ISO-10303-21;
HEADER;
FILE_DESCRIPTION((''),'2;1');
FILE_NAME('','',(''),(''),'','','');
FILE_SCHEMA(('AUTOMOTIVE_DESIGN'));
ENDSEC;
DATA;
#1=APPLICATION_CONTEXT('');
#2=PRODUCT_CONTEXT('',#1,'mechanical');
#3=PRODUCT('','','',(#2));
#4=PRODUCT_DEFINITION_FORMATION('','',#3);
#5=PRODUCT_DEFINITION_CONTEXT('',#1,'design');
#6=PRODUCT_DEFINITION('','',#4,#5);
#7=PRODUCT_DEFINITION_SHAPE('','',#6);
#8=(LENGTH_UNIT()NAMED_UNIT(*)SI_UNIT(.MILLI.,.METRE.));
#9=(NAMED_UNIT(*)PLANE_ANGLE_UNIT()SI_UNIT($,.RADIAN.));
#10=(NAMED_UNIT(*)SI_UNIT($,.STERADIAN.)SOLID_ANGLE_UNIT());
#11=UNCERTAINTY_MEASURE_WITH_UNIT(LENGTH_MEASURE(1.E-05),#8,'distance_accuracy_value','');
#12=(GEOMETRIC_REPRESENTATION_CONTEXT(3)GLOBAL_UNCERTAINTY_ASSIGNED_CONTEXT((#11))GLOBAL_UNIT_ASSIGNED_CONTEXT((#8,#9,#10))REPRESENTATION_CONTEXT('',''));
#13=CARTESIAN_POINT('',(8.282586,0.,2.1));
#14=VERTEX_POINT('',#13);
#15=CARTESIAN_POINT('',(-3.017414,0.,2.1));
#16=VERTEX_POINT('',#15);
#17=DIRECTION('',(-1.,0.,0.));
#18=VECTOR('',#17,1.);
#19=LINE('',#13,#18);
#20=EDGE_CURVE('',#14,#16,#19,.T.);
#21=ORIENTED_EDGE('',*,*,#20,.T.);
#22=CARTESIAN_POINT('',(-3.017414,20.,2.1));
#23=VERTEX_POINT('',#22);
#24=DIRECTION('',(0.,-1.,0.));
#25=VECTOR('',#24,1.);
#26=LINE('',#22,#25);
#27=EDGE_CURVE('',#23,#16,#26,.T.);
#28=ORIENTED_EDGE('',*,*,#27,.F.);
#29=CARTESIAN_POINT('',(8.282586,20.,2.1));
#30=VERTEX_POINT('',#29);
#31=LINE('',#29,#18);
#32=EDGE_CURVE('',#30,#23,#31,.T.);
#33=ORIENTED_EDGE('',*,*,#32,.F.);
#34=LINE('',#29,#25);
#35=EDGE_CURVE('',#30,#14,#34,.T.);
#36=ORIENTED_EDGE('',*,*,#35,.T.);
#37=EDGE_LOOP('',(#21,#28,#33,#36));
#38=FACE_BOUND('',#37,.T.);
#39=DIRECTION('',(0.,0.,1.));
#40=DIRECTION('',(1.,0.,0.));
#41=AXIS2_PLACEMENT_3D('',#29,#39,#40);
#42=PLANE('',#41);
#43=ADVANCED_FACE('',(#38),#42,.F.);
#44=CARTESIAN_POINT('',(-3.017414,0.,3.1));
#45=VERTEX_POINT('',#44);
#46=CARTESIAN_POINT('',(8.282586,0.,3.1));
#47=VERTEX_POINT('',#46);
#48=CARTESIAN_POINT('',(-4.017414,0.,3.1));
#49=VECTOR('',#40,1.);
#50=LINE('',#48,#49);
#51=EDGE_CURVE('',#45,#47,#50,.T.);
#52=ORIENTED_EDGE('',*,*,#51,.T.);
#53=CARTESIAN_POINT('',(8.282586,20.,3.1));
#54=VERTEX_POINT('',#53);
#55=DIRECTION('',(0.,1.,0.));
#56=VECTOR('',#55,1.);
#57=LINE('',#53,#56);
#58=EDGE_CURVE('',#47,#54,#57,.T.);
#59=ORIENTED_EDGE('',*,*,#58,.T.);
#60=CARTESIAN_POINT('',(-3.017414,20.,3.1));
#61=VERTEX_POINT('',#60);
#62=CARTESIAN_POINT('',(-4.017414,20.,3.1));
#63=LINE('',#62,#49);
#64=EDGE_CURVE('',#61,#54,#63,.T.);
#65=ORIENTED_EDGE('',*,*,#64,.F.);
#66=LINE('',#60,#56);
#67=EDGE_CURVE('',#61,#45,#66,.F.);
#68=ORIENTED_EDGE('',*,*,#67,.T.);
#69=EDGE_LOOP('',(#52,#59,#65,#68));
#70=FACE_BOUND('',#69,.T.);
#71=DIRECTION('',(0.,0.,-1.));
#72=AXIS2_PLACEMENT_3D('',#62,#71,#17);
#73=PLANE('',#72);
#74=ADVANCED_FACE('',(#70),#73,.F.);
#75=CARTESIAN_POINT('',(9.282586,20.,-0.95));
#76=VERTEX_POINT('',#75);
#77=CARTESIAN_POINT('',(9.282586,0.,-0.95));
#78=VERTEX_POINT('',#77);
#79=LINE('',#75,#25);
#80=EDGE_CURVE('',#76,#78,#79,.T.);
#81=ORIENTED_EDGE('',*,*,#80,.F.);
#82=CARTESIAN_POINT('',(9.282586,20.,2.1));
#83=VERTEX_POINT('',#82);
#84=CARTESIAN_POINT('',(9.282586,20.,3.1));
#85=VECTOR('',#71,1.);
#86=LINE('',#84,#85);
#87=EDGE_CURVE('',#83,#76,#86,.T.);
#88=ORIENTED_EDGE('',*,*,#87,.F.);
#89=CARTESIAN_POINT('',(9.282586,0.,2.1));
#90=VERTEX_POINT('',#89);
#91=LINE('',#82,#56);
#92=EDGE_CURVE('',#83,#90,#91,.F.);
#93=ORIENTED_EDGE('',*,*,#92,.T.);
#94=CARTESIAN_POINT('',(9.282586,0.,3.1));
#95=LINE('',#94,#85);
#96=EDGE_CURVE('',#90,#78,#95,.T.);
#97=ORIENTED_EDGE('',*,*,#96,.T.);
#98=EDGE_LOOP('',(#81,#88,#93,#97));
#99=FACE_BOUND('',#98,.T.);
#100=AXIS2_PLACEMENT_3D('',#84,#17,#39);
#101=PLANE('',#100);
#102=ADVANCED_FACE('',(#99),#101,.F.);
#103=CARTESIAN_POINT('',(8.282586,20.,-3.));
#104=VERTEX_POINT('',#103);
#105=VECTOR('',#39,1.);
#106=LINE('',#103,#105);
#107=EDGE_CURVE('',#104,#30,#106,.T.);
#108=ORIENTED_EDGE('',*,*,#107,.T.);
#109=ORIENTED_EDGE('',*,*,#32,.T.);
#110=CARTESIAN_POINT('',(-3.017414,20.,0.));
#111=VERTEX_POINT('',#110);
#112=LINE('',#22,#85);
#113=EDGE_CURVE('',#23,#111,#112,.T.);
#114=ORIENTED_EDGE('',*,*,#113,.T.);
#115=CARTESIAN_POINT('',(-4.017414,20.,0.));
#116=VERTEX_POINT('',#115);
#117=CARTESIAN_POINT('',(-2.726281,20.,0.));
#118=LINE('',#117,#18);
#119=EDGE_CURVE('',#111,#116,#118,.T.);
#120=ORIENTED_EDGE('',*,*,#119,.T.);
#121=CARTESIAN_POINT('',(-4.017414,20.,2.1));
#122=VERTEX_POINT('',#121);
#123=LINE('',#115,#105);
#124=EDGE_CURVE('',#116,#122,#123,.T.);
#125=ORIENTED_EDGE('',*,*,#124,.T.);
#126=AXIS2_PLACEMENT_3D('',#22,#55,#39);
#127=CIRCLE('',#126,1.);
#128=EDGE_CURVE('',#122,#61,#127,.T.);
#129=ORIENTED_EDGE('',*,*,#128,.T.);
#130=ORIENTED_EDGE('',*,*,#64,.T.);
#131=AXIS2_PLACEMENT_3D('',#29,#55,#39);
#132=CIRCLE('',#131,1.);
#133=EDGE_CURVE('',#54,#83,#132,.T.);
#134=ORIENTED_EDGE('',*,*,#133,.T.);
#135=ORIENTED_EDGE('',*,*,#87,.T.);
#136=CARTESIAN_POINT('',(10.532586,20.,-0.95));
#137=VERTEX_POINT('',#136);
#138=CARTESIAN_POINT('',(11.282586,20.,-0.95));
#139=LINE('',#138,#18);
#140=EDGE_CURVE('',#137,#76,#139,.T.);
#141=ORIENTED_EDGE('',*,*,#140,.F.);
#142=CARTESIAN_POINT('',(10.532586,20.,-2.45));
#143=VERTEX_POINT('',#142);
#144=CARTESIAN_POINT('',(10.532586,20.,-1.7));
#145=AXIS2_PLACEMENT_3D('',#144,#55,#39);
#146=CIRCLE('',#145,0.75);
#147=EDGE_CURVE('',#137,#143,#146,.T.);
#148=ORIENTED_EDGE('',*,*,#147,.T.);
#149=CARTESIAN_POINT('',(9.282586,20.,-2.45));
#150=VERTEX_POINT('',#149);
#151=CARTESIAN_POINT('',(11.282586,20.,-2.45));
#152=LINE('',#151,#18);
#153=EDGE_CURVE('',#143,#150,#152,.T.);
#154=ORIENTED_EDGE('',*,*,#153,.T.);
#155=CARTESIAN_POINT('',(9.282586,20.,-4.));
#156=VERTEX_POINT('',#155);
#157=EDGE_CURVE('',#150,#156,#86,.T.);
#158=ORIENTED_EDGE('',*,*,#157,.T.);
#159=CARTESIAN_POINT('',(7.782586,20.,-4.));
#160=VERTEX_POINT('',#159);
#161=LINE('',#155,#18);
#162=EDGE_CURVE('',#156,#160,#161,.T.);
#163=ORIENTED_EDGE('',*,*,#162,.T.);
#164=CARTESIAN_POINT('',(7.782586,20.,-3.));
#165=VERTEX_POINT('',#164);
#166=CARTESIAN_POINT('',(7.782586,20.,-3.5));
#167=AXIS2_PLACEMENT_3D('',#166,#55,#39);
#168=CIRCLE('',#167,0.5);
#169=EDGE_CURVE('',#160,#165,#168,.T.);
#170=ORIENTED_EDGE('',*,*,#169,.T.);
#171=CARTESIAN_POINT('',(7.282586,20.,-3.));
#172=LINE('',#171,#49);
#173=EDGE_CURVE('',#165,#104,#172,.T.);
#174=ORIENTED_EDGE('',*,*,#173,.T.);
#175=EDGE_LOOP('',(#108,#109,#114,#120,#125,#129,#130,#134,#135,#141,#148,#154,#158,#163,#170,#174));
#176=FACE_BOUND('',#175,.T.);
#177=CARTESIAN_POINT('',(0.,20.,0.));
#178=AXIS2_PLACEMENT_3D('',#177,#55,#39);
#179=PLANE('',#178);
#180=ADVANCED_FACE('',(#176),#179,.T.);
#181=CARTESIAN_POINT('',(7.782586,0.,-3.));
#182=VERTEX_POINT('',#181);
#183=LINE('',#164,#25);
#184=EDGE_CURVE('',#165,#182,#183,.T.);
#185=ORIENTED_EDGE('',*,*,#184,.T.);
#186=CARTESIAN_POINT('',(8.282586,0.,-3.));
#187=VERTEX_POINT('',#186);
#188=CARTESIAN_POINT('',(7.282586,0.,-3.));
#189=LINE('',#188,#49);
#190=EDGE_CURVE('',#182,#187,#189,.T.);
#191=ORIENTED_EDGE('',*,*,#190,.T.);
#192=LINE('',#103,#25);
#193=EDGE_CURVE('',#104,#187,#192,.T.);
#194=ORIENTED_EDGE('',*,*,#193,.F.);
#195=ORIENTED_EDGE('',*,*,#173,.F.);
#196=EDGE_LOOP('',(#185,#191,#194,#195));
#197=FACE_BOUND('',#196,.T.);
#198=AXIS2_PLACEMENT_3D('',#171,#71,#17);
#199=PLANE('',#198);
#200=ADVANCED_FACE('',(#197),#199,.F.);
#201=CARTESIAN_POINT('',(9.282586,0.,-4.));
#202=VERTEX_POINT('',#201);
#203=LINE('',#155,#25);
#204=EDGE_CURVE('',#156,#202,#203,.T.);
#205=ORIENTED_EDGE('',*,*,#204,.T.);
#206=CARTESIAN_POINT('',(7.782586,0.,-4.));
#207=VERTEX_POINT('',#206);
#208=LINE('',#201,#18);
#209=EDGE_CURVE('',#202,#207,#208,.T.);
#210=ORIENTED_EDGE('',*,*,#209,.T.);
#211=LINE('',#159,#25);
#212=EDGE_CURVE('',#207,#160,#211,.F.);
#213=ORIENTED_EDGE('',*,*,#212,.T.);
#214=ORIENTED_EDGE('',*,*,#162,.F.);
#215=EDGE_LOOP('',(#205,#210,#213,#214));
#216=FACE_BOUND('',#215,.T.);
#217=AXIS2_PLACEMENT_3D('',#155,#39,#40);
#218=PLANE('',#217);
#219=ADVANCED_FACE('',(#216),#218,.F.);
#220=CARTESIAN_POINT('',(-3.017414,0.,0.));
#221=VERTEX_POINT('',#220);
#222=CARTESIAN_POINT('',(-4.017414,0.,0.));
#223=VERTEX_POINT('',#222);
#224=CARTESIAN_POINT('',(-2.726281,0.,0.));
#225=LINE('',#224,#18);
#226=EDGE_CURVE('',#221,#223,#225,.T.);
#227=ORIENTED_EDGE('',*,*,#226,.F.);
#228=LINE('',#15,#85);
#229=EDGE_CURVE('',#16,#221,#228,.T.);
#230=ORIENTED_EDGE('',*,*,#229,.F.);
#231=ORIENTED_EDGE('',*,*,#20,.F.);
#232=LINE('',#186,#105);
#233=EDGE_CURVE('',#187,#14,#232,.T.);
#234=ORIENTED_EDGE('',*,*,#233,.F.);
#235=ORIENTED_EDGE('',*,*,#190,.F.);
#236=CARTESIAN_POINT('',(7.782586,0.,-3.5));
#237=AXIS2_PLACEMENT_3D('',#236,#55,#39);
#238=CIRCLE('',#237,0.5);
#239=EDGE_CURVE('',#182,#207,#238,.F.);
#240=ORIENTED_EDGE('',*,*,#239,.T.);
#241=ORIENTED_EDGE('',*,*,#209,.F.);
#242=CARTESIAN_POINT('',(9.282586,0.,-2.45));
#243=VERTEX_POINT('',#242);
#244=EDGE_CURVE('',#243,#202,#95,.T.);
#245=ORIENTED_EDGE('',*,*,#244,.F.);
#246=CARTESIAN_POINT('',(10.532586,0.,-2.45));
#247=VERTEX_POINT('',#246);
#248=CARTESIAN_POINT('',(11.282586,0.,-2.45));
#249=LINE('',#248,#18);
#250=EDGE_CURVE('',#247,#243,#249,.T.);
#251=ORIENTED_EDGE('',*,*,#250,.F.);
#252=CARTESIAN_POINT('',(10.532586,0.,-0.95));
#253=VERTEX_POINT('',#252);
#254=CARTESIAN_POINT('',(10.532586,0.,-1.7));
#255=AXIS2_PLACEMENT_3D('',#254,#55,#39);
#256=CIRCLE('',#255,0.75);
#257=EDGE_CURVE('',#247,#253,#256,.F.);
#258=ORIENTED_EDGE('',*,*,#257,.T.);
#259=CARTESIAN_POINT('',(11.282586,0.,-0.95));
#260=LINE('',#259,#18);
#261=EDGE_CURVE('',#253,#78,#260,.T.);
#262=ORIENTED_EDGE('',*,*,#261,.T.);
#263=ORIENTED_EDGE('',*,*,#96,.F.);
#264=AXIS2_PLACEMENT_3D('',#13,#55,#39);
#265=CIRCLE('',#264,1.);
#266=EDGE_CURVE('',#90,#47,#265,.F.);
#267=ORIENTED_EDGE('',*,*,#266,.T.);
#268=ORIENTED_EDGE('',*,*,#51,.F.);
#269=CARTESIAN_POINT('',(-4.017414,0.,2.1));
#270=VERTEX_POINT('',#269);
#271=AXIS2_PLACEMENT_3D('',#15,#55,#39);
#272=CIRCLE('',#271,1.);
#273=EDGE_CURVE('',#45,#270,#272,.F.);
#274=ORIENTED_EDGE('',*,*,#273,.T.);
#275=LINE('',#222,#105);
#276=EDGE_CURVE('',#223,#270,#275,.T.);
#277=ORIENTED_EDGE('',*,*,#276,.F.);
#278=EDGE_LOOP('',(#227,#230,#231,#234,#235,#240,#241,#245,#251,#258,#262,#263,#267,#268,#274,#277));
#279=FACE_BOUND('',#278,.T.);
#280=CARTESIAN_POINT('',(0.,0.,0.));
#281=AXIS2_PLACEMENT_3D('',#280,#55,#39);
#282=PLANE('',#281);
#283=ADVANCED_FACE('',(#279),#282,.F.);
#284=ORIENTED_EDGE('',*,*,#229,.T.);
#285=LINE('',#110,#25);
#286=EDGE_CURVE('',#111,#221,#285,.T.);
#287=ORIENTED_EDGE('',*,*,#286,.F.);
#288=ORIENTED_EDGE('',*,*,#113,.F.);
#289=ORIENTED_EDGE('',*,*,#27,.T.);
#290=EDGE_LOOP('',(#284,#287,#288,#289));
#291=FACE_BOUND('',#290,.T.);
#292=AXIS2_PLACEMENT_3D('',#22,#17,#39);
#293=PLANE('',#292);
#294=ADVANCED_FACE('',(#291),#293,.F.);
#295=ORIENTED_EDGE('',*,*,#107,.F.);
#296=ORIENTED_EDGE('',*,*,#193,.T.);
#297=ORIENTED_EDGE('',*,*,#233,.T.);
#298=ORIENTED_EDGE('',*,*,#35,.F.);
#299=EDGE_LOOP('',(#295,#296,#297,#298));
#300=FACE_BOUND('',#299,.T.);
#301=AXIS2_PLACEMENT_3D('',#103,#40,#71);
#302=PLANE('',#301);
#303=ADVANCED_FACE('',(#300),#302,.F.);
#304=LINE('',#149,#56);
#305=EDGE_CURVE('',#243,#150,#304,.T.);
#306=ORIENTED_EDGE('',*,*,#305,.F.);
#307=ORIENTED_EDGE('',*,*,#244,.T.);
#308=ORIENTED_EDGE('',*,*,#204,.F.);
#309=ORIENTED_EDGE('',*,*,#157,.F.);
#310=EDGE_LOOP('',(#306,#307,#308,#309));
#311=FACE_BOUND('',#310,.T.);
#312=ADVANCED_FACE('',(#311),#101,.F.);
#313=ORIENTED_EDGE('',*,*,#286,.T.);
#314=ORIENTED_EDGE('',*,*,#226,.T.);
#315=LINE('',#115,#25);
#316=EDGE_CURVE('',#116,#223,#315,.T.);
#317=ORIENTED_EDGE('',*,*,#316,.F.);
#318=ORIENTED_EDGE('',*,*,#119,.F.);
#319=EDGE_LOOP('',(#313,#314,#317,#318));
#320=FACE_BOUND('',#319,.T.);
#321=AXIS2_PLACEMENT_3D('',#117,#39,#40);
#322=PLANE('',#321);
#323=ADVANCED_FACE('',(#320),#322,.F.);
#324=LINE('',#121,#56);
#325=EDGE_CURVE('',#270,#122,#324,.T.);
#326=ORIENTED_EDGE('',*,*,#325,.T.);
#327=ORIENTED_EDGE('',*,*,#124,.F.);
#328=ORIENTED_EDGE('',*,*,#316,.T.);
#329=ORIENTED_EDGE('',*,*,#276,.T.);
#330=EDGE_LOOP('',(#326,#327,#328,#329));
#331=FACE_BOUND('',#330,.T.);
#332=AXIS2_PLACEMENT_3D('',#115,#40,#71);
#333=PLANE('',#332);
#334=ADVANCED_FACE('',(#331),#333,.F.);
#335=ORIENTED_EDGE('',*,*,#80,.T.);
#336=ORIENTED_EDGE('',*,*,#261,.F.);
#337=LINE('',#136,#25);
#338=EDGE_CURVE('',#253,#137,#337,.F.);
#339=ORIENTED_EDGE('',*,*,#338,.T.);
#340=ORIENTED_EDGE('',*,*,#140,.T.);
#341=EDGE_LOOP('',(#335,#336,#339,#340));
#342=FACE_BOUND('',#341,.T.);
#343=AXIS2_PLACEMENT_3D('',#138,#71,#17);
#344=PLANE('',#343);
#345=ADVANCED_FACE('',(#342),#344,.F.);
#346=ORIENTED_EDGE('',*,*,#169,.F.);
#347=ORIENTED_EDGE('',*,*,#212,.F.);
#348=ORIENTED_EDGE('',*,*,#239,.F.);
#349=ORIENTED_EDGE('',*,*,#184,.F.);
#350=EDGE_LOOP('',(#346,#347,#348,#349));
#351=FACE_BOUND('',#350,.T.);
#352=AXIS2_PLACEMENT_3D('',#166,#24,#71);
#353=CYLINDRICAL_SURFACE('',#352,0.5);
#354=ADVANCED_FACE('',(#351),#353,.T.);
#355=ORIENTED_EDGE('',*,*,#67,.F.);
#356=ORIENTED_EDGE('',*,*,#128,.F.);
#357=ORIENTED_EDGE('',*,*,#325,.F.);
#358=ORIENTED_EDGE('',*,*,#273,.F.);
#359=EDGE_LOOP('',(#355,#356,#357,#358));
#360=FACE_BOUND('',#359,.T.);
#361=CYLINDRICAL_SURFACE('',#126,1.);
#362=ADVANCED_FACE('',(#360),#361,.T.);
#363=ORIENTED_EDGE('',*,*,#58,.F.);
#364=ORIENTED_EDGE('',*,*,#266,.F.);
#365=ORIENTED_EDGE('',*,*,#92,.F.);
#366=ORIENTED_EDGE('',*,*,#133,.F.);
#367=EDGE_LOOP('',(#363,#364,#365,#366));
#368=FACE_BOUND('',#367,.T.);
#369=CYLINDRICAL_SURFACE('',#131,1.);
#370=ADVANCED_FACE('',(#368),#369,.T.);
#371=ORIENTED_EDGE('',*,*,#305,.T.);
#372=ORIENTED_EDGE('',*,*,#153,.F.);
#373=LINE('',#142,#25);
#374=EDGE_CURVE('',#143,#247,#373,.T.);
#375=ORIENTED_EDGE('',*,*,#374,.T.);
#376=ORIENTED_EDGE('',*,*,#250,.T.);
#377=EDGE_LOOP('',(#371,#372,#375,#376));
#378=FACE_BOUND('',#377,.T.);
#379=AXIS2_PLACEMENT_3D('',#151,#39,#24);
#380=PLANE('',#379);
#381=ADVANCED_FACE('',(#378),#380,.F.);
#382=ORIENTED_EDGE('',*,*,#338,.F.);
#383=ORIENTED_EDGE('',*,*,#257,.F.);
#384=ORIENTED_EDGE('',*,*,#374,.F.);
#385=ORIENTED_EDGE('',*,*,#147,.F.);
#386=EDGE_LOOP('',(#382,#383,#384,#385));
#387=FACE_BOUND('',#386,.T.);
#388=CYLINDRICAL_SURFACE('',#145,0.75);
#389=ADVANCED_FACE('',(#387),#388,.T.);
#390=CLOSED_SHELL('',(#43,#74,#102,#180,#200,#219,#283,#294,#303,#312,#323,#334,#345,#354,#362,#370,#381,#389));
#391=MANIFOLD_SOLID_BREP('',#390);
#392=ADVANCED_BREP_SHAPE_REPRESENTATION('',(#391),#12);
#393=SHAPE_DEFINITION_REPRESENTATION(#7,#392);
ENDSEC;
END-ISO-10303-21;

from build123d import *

# Parameters (mm, degrees)
SALIENTE_EXTRUIR1_DEPTH = 20
REDONDEO1_RADIUS        = 0.5
REDONDEO1_LENGTH        = 20
REDONDEO3_R             = 1
REDONDEO4_R             = 1
CROQUIS6_W              = 0.519230147
CROQUIS6_H              = 1.134138633
CORTAR_EXTRUIR2_DEPTH   = 31
CROQUIS7_W              = 1.5
CROQUIS7_H              = 20
SALIENTE_EXTRUIR2_DEPTH = 2
REDONDEO5_RADIUS        = 0.75
REDONDEO5_LENGTH        = 20


with BuildPart() as part:
    # Croquis3 → Saliente-Extruir1 (new body)
    with BuildSketch(Plane(origin=(0, 0, 0), x_dir=(1, 0, 0), z_dir=(0, 1, 0))):
        Polygon((-2.726281257, 0), (-4.017413973, 0), (-4.017413973, -3.1), (9.282586027, -3.1), (9.282586027, 4), (7.282586027, 4), (7.282586027, 3), (8.282586027, 3), (8.282586027, -2.1), (-3.017413973, -2.1), (-3.017413973, -1), (-2.726281257, -1), align=None)
    extrude(amount=SALIENTE_EXTRUIR1_DEPTH)

    # Redondeo1: full round fillet: the end face becomes a half cylinder, R = half its width
    redondeo1_face = Plane((7.282586027, 10, -3.5), x_dir=(0, 1, 0), z_dir=(-1, 0, 0))  # on the end face: x along it, z out of the body
    redondeo1_slab = redondeo1_face.offset(-REDONDEO1_RADIUS / 2) * Box(REDONDEO1_LENGTH, 2 * REDONDEO1_RADIUS, REDONDEO1_RADIUS, mode=Mode.PRIVATE)  # the body's end, R deep
    redondeo1_round = Plane((7.782586027, 10, -3.5), x_dir=(-1, 0, 0), z_dir=(0, 1, 0)) * Cylinder(REDONDEO1_RADIUS, REDONDEO1_LENGTH, mode=Mode.PRIVATE)  # its axis R under the face
    add(redondeo1_slab - redondeo1_round, mode=Mode.SUBTRACT)

    # Redondeo3
    redondeo3_edges = [part.edges().sort_by_distance(p)[0] for p in [
        (-4.017413973, 10, 3.1),
    ]]
    fillet(redondeo3_edges, radius=REDONDEO3_R)

    # Redondeo4
    redondeo4_edges = [part.edges().sort_by_distance(p)[0] for p in [
        (9.282586027, 10, 3.1),
    ]]
    fillet(redondeo4_edges, radius=REDONDEO4_R)

    # Croquis6 → Cortar-Extruir2 (cut)
    with BuildSketch(Plane(origin=(0, 20, 0), x_dir=(1, 0, 0), z_dir=(0, 1, 0))):
        with Locations((-2.7577989, -0.432930683)):
            Rectangle(CROQUIS6_W, CROQUIS6_H)
    extrude(amount=-CORTAR_EXTRUIR2_DEPTH, mode=Mode.SUBTRACT)

    # Croquis7 → Saliente-Extruir2 (add)
    with BuildSketch(Plane(origin=(9.282586027, 0, 0), x_dir=(0, 0, -1), z_dir=(1, 0, 0))):
        with Locations((1.7, 10)):
            Rectangle(CROQUIS7_W, CROQUIS7_H)
    extrude(amount=SALIENTE_EXTRUIR2_DEPTH)

    # Redondeo5: full round fillet: the end face becomes a half cylinder, R = half its width
    redondeo5_face = Plane((11.282586027, 10, -1.7), x_dir=(0, -1, 0), z_dir=(1, 0, 0))  # on the end face: x along it, z out of the body
    redondeo5_slab = redondeo5_face.offset(-REDONDEO5_RADIUS / 2) * Box(REDONDEO5_LENGTH, 2 * REDONDEO5_RADIUS, REDONDEO5_RADIUS, mode=Mode.PRIVATE)  # the body's end, R deep
    redondeo5_round = Plane((10.532586027, 10, -1.7), x_dir=(1, 0, 0), z_dir=(0, -1, 0)) * Cylinder(REDONDEO5_RADIUS, REDONDEO5_LENGTH, mode=Mode.PRIVATE)  # its axis R under the face
    add(redondeo5_slab - redondeo5_round, mode=Mode.SUBTRACT)


solid = part.part
